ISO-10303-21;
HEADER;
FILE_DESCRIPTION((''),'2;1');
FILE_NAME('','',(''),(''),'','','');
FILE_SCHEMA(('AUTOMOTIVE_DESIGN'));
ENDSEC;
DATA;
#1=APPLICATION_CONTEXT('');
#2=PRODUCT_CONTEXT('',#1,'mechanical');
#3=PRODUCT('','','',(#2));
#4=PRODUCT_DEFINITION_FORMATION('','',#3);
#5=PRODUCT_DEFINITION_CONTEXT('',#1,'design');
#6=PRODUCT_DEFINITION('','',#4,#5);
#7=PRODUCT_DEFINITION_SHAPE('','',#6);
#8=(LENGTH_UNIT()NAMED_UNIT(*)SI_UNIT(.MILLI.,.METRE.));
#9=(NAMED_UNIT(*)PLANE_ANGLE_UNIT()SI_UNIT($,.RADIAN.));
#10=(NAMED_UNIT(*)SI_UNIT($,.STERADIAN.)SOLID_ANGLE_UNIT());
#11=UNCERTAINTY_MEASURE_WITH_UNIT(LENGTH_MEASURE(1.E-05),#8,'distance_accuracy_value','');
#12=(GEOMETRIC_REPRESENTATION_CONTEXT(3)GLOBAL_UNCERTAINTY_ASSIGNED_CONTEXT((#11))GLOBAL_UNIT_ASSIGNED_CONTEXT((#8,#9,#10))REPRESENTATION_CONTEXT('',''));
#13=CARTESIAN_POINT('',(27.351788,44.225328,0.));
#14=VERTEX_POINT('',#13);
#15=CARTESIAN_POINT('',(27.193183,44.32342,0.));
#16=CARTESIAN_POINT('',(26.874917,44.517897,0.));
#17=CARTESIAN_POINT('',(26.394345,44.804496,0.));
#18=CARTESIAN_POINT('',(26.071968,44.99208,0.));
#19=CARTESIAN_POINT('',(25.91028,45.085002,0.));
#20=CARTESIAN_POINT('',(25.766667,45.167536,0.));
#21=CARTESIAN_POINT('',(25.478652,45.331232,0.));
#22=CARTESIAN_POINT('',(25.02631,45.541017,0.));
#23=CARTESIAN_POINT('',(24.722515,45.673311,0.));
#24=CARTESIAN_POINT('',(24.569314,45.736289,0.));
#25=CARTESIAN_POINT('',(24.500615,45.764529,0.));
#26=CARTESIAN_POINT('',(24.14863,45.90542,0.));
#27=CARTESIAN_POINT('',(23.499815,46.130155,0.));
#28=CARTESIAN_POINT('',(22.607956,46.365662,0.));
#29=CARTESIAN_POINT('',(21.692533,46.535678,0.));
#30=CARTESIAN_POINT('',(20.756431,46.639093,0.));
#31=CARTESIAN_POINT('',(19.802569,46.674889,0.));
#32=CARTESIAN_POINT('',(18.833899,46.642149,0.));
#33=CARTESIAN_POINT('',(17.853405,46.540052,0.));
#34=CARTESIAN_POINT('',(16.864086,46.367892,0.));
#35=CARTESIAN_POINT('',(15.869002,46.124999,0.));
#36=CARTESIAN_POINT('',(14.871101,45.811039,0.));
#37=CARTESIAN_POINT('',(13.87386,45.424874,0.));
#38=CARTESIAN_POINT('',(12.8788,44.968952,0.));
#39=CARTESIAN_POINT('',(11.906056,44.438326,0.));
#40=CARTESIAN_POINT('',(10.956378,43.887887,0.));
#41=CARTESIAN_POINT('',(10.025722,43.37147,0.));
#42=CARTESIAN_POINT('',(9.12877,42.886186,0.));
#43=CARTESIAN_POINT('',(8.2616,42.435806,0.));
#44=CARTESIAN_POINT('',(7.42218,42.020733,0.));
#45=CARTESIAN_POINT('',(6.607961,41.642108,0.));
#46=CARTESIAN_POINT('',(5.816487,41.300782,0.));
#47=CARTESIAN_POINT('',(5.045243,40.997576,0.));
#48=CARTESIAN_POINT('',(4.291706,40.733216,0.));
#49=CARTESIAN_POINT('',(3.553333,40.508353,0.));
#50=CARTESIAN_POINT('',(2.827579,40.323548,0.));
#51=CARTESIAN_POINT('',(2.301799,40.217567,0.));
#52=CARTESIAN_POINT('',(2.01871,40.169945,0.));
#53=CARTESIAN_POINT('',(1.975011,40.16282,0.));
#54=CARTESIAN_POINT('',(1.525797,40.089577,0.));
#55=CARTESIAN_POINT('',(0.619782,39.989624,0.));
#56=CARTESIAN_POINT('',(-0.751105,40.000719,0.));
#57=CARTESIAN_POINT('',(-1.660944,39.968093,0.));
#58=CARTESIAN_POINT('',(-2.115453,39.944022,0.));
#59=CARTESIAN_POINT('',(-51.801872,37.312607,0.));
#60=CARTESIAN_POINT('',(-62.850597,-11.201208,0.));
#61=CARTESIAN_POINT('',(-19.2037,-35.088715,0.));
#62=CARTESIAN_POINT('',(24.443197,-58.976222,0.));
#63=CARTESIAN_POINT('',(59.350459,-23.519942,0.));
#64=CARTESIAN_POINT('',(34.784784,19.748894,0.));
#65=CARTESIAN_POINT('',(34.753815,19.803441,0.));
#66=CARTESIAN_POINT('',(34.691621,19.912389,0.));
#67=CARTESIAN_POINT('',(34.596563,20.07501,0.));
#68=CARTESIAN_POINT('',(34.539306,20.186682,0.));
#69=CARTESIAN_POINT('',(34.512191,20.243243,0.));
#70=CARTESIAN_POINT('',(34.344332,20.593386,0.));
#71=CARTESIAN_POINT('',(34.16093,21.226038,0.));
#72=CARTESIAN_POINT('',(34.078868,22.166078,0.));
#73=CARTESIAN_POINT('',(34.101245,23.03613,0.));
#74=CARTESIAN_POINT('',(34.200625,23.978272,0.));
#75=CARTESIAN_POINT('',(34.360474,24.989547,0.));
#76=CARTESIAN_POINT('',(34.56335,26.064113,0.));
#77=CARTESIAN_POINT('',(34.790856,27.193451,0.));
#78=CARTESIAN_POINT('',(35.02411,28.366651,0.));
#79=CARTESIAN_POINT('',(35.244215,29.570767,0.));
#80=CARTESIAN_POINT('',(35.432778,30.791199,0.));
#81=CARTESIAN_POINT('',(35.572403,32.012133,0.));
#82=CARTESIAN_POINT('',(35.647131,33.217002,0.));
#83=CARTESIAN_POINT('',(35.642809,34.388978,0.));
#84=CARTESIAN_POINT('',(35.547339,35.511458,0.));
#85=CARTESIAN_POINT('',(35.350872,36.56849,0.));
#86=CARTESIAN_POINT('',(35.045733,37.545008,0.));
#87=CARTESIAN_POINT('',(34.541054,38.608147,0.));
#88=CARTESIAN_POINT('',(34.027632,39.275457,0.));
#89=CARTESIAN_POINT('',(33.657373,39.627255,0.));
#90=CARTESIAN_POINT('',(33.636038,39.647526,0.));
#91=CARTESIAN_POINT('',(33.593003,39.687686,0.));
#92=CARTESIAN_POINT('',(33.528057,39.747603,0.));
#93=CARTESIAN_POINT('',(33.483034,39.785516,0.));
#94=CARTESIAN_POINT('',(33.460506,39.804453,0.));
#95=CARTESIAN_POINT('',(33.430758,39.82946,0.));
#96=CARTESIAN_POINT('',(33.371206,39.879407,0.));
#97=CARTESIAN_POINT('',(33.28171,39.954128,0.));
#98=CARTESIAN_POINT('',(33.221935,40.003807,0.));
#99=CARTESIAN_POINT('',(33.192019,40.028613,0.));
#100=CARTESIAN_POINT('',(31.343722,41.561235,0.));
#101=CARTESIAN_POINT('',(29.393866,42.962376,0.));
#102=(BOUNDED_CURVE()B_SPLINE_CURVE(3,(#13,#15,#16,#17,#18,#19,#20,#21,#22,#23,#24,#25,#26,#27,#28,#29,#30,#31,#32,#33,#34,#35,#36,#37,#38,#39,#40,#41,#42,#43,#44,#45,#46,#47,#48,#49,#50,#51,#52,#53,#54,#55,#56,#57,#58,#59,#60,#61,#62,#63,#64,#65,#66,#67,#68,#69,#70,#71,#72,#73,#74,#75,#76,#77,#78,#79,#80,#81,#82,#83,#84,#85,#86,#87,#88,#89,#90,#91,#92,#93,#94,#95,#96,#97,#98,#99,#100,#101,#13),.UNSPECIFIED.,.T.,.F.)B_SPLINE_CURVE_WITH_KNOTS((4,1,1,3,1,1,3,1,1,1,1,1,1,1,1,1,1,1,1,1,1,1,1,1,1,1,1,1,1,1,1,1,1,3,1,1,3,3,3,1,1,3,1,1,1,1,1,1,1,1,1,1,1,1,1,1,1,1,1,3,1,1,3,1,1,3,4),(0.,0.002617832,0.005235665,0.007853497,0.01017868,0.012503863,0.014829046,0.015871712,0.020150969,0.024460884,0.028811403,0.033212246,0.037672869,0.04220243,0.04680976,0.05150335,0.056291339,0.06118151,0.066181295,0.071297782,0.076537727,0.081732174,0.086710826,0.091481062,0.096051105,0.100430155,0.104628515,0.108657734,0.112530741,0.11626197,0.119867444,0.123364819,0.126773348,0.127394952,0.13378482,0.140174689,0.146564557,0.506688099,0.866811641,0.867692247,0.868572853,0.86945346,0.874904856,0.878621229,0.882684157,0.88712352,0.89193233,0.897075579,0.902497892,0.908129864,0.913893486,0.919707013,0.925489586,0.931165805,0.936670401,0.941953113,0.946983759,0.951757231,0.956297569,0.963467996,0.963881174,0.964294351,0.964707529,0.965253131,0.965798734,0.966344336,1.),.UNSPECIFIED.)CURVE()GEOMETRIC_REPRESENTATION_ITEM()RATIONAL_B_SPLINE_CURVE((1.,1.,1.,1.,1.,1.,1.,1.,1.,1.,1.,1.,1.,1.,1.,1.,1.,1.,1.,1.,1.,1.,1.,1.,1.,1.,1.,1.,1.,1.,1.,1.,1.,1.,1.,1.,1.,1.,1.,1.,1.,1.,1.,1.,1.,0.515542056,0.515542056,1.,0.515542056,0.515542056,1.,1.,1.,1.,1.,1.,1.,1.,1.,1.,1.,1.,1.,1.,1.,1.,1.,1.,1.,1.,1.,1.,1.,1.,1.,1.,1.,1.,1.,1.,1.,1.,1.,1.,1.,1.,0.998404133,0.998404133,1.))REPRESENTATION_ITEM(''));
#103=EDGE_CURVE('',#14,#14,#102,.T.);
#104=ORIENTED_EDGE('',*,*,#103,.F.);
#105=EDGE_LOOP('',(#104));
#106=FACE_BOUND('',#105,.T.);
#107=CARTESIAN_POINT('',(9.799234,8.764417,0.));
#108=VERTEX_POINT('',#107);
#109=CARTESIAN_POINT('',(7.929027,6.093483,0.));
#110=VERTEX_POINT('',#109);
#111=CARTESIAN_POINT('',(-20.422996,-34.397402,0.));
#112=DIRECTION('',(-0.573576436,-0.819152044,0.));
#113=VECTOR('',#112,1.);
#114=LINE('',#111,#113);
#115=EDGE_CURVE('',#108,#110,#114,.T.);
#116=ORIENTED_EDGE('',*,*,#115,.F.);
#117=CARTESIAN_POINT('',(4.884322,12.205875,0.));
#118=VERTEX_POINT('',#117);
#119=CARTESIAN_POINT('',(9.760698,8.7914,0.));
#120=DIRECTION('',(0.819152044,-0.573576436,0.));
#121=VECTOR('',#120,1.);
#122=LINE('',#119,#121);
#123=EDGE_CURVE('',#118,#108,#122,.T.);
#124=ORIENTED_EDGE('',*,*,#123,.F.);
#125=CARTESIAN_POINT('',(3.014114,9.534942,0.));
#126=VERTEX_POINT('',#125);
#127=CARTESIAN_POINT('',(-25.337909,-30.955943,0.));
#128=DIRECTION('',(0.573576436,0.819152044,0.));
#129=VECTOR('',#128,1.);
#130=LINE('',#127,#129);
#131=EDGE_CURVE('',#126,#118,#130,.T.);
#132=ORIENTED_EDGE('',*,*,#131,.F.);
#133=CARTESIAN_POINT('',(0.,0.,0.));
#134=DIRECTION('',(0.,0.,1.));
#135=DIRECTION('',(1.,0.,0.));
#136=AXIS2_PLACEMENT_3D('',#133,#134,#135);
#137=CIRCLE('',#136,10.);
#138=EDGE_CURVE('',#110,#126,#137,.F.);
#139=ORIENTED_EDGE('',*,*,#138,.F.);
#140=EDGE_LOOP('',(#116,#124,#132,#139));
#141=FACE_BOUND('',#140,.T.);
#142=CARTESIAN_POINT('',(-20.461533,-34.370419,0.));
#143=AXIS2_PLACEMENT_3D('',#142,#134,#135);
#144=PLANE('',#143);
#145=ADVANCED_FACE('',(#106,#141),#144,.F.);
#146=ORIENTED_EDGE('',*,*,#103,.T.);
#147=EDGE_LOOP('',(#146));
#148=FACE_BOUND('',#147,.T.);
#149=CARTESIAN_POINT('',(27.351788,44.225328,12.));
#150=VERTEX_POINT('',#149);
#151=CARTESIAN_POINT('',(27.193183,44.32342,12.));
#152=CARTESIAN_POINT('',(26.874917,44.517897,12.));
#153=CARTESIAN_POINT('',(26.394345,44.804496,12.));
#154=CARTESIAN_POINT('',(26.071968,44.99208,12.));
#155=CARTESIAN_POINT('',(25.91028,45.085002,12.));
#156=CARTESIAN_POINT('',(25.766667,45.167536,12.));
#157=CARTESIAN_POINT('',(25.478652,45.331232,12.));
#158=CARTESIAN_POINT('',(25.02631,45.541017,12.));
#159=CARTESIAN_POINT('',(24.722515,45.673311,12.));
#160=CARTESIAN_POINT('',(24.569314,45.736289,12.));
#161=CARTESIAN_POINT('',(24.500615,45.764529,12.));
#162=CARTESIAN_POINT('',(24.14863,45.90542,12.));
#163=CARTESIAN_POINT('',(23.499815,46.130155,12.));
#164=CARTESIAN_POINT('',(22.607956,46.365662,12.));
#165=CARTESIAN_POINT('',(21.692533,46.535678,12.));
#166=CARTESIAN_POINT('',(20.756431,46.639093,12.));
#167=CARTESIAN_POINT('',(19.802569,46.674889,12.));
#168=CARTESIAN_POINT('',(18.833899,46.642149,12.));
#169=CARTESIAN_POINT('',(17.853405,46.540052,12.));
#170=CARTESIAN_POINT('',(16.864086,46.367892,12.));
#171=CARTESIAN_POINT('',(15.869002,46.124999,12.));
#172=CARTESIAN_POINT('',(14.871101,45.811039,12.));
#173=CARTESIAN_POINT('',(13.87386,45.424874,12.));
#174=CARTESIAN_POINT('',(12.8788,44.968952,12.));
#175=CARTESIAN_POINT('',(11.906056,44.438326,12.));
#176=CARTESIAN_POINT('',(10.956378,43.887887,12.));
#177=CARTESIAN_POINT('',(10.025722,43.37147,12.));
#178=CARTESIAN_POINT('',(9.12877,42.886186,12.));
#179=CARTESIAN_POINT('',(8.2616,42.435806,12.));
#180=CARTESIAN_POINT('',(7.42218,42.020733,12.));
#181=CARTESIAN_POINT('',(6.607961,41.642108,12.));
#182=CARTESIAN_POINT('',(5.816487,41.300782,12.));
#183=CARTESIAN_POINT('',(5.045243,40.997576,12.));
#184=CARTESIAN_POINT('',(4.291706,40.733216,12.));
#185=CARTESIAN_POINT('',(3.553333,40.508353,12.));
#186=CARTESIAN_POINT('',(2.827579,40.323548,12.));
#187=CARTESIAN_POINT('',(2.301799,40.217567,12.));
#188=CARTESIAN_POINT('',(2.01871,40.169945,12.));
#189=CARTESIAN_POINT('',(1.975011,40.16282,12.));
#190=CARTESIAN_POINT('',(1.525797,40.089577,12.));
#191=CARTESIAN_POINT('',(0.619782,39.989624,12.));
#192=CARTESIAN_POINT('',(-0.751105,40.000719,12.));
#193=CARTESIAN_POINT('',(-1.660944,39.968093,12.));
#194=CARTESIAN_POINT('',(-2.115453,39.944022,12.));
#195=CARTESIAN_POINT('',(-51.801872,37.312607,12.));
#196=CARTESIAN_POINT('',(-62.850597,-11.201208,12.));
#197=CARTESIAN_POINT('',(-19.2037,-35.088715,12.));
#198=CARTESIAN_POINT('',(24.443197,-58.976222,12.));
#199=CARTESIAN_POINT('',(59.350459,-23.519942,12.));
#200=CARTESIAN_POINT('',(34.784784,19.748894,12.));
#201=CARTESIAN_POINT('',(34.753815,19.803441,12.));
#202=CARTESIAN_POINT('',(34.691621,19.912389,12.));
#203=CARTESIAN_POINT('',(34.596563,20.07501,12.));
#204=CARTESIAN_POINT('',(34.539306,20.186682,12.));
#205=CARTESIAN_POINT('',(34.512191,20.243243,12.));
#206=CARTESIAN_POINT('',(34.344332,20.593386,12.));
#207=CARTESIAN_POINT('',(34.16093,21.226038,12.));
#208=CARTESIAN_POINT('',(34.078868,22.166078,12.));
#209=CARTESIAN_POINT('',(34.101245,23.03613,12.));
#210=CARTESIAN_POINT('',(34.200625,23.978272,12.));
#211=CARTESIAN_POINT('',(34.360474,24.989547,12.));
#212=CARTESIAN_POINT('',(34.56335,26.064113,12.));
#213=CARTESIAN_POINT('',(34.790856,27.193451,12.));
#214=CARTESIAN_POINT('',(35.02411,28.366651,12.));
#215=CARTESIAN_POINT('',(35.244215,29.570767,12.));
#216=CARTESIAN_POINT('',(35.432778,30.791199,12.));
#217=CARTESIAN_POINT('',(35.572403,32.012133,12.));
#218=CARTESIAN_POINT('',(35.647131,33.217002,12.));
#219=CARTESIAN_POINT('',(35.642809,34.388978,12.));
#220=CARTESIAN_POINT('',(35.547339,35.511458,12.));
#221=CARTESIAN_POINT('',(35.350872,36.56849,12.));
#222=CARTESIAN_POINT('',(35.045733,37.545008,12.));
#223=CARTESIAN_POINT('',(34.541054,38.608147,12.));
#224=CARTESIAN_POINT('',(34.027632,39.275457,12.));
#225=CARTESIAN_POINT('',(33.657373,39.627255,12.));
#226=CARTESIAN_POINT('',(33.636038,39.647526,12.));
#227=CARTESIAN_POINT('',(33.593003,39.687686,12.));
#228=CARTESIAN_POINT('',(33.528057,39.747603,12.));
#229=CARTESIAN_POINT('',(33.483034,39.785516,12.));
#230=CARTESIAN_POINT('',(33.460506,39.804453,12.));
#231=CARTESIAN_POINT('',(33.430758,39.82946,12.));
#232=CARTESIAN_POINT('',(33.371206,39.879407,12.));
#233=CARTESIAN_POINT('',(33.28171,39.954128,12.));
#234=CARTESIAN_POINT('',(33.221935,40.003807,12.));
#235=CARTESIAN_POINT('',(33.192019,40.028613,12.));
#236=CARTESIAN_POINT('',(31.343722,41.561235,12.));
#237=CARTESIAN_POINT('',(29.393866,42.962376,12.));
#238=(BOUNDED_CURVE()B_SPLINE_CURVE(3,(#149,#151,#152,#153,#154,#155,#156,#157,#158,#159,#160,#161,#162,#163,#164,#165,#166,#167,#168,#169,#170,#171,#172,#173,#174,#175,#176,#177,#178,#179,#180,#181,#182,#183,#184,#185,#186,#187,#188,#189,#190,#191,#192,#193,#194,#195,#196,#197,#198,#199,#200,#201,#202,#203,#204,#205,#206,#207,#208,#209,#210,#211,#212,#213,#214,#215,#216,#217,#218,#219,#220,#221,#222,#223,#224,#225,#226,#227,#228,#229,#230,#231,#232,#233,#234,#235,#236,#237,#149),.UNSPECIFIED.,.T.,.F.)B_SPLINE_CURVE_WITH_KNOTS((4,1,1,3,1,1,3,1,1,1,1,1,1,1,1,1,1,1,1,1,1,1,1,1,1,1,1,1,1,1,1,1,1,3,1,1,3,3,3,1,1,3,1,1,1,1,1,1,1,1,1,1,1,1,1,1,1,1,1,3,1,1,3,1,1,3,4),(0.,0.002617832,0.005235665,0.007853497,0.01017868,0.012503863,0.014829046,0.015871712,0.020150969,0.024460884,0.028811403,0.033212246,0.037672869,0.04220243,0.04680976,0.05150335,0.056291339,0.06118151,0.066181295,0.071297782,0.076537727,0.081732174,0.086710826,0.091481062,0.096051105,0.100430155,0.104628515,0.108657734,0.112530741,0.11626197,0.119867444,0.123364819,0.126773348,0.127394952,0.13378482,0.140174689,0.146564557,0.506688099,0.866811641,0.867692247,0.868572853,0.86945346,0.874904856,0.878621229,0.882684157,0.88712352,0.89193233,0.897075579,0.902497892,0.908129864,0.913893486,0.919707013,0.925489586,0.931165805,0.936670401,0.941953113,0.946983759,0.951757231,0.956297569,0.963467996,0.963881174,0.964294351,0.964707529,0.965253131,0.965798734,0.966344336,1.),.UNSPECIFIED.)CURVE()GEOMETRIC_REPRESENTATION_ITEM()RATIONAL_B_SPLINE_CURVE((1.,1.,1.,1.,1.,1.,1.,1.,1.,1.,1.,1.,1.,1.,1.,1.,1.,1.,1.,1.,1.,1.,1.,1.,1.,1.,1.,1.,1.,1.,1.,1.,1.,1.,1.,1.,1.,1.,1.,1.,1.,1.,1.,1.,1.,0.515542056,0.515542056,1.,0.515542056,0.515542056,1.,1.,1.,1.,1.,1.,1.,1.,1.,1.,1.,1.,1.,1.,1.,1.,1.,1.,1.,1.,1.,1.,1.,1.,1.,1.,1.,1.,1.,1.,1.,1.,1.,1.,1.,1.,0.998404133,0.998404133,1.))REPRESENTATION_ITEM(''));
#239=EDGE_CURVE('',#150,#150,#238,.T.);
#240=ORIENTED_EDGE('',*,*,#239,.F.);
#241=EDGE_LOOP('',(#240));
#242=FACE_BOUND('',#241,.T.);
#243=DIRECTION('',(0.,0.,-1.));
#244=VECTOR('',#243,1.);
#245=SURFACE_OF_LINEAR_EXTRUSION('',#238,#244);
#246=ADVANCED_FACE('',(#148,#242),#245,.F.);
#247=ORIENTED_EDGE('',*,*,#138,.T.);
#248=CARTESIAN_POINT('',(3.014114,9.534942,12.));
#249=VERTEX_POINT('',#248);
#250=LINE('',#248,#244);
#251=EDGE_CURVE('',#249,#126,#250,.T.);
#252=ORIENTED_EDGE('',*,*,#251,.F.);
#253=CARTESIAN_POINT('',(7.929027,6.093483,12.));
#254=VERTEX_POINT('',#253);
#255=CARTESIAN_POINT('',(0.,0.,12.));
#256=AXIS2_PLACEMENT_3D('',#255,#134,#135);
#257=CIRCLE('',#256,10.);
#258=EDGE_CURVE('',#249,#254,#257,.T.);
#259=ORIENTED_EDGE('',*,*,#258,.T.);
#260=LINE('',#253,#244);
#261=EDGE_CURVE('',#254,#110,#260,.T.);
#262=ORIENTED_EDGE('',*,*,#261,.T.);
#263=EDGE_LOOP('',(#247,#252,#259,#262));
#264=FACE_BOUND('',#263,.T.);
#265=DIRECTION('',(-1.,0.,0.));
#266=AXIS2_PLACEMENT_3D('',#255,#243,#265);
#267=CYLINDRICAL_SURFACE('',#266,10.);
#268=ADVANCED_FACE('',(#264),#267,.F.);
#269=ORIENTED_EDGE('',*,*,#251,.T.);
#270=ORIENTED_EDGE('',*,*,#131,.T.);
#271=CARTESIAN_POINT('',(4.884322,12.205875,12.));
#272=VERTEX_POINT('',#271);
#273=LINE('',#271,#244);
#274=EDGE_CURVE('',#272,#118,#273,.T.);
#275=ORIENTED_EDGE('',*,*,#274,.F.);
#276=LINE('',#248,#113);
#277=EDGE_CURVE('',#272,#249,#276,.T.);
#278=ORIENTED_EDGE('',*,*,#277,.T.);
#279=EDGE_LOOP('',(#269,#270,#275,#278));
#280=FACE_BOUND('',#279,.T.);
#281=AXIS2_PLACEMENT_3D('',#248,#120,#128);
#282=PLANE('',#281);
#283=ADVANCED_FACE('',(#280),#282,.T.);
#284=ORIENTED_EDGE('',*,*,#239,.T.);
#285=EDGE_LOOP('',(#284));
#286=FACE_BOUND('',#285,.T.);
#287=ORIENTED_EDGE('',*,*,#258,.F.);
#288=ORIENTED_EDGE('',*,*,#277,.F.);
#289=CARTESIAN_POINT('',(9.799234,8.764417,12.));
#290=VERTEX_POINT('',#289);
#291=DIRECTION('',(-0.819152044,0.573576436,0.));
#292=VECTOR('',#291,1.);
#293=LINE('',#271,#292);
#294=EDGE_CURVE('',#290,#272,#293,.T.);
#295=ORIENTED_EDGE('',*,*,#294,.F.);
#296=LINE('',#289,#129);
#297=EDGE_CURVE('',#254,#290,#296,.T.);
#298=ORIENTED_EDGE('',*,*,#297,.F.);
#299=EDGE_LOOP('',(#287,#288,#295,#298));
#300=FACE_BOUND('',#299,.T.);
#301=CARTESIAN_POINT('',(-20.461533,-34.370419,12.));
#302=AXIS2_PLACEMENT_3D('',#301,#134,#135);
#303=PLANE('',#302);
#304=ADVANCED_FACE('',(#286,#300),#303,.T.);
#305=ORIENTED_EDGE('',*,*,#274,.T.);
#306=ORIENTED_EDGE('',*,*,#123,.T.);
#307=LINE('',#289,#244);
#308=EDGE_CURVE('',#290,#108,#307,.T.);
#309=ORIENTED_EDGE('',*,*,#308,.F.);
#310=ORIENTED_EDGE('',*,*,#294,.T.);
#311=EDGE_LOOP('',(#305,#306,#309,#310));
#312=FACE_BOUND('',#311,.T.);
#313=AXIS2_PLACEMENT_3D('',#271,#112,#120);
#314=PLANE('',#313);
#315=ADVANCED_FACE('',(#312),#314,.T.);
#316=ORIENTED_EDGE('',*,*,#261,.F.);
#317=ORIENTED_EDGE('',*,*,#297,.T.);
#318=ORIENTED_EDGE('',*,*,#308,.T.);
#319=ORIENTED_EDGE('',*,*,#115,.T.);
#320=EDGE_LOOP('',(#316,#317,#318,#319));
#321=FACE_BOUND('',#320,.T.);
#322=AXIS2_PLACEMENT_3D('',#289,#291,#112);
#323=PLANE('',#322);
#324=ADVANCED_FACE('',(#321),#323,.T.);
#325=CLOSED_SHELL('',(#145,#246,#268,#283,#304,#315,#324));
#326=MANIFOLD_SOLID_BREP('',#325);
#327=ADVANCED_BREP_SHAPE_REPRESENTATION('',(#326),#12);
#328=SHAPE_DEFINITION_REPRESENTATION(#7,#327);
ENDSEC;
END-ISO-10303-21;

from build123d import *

# Parameters (mm, degrees)
EXTRUDE_1_DEPTH          = 12
CUT_EXTRUDE_1_DEPTH      = 12
CUT_EXTRUDE_1_DEPTH_BACK = 12


with BuildPart() as part:
    # 草图1 → 凸台-拉伸1 (new body)
    with BuildSketch(Plane.XY):
        with BuildLine():
            add(Edge.make_bspline(
                [(27.351788268, 44.225328473), (29.39386648, 42.962375934), (31.343721839, 41.561234748), (33.192019214, 40.028613022), (33.221934708, 40.003806876), (33.281710078, 39.954127511), (33.371206337, 39.879407198), (33.430758337, 39.829460293), (33.460506304, 39.804453493), (33.483034074, 39.78551615), (33.528057459, 39.747603216), (33.593003189, 39.687685579), (33.636038069, 39.647526241), (33.657373294, 39.627254796), (34.027631945, 39.275457349), (34.541053532, 38.608146608), (35.04573269, 37.545008456), (35.350871953, 36.568489885), (35.547339289, 35.511457659), (35.642808793, 34.388978409), (35.647131141, 33.217002122), (35.572402779, 32.012133499), (35.43277755, 30.791199231), (35.244214533, 29.570766504), (35.02411005, 28.366651151), (34.790856263, 27.193450564), (34.563350135, 26.064112634), (34.360474184, 24.989547194), (34.200624679, 23.978271724), (34.101245436, 23.036130031), (34.07886763, 22.166078343), (34.16092962, 21.226038136), (34.344332014, 20.59338553), (34.512190789, 20.243243376), (34.539306314, 20.186682209), (34.596562674, 20.075010215), (34.691620905, 19.912389166), (34.753814918, 19.803441193), (34.78478362, 19.748894362), (59.350458518, -23.519942371), (24.443197413, -58.976221612), (-19.203699823, -35.088714897), (-62.850597059, -11.201208181), (-51.801872093, 37.312607295), (-2.115452678, 39.94402158), (-1.660943976, 39.968092557), (-0.751104888, 40.000719438), (0.6197822, 39.98962427), (1.525796883, 40.089577117), (1.975010686, 40.162820075), (2.018710042, 40.169945124), (2.301798878, 40.217567372), (2.827578545, 40.323548342), (3.553332984, 40.508352574), (4.291705894, 40.733216445), (5.045243388, 40.997575809), (5.816486576, 41.300781593), (6.60796097, 41.642107559), (7.42217967, 42.020732861), (8.261599697, 42.435806358), (9.128769857, 42.886185917), (10.025722061, 43.371469606), (10.956377607, 43.887886577), (11.906056053, 44.438326185), (12.878800455, 44.968951621), (13.873860206, 45.424874026), (14.871101204, 45.811039471), (15.869002466, 46.124999364), (16.864086276, 46.367892076), (17.853404897, 46.54005247), (18.833899375, 46.64214907), (19.802569053, 46.674888677), (20.756430815, 46.639093046), (21.692533059, 46.535678403), (22.607956192, 46.365661842), (23.499814902, 46.130154781), (24.148629775, 45.905419588), (24.500615487, 45.764529159), (24.569314224, 45.736288636), (24.722514851, 45.673311267), (25.026310075, 45.541017025), (25.478652112, 45.331232046), (25.766666814, 45.167536106), (25.91027981, 45.085001942), (26.071968081, 44.992079947), (26.394344883, 44.80449637), (26.874917236, 44.51789708), (27.193183043, 44.323420148), (27.351788268, 44.225328473)],
                knots=[0, 0, 0, 0, 0.033655664, 0.033655664, 0.033655664, 0.034201266, 0.034746869, 0.035292471, 0.035292471, 0.035292471, 0.035705649, 0.036118826, 0.036532004, 0.036532004, 0.036532004, 0.043702431, 0.048242769, 0.053016241, 0.058046887, 0.063329599, 0.068834195, 0.074510414, 0.080292987, 0.086106514, 0.091870136, 0.097502108, 0.102924421, 0.10806767, 0.11287648, 0.117315843, 0.121378771, 0.125095144, 0.13054654, 0.13054654, 0.13054654, 0.131427147, 0.132307753, 0.133188359, 0.133188359, 0.133188359, 0.493311901, 0.493311901, 0.493311901, 0.853435443, 0.853435443, 0.853435443, 0.859825311, 0.86621518, 0.872605048, 0.872605048, 0.872605048, 0.873226652, 0.876635181, 0.880132556, 0.88373803, 0.887469259, 0.891342266, 0.895371485, 0.899569845, 0.903948895, 0.908518938, 0.913289174, 0.918267826, 0.923462273, 0.928702218, 0.933818705, 0.93881849, 0.943708661, 0.94849665, 0.95319024, 0.95779757, 0.962327131, 0.966787754, 0.971188597, 0.975539116, 0.979849031, 0.984128288, 0.985170954, 0.985170954, 0.985170954, 0.987496137, 0.98982132, 0.992146503, 0.992146503, 0.992146503, 0.994764335, 0.997382168, 1, 1, 1, 1], degree=3, weights=[1, 0.998404133, 0.998404133, 1, 1, 1, 1, 1, 1, 1, 1, 1, 1, 1, 1, 1, 1, 1, 1, 1, 1, 1, 1, 1, 1, 1, 1, 1, 1, 1, 1, 1, 1, 1, 1, 1, 1, 1, 1, 0.515542056, 0.515542056, 1, 0.515542056, 0.515542056, 1, 1, 1, 1, 1, 1, 1, 1, 1, 1, 1, 1, 1, 1, 1, 1, 1, 1, 1, 1, 1, 1, 1, 1, 1, 1, 1, 1, 1, 1, 1, 1, 1, 1, 1, 1, 1, 1, 1, 1, 1, 1, 1, 1, 1]))
        make_face()
    extrude(amount=EXTRUDE_1_DEPTH)

    # 草图2 → 切除-拉伸1 (cut, two sides: drawn at the far end of the back side and taken through both)
    with BuildSketch(Plane.XY.offset(-CUT_EXTRUDE_1_DEPTH_BACK)):
        with BuildLine():
            Line((3.014114344, 9.534941779), (4.884322225, 12.205875437))
            Line((4.884322225, 12.205875437), (9.799234491, 8.764416819))
            Line((9.799234491, 8.764416819), (7.929026609, 6.093483161))
            ThreePointArc((7.929026609, 6.093483161), (-5.735764364, -8.191520443), (3.014114344, 9.534941779))
        make_face()
    extrude(amount=CUT_EXTRUDE_1_DEPTH + CUT_EXTRUDE_1_DEPTH_BACK, mode=Mode.SUBTRACT)


solid = part.part
